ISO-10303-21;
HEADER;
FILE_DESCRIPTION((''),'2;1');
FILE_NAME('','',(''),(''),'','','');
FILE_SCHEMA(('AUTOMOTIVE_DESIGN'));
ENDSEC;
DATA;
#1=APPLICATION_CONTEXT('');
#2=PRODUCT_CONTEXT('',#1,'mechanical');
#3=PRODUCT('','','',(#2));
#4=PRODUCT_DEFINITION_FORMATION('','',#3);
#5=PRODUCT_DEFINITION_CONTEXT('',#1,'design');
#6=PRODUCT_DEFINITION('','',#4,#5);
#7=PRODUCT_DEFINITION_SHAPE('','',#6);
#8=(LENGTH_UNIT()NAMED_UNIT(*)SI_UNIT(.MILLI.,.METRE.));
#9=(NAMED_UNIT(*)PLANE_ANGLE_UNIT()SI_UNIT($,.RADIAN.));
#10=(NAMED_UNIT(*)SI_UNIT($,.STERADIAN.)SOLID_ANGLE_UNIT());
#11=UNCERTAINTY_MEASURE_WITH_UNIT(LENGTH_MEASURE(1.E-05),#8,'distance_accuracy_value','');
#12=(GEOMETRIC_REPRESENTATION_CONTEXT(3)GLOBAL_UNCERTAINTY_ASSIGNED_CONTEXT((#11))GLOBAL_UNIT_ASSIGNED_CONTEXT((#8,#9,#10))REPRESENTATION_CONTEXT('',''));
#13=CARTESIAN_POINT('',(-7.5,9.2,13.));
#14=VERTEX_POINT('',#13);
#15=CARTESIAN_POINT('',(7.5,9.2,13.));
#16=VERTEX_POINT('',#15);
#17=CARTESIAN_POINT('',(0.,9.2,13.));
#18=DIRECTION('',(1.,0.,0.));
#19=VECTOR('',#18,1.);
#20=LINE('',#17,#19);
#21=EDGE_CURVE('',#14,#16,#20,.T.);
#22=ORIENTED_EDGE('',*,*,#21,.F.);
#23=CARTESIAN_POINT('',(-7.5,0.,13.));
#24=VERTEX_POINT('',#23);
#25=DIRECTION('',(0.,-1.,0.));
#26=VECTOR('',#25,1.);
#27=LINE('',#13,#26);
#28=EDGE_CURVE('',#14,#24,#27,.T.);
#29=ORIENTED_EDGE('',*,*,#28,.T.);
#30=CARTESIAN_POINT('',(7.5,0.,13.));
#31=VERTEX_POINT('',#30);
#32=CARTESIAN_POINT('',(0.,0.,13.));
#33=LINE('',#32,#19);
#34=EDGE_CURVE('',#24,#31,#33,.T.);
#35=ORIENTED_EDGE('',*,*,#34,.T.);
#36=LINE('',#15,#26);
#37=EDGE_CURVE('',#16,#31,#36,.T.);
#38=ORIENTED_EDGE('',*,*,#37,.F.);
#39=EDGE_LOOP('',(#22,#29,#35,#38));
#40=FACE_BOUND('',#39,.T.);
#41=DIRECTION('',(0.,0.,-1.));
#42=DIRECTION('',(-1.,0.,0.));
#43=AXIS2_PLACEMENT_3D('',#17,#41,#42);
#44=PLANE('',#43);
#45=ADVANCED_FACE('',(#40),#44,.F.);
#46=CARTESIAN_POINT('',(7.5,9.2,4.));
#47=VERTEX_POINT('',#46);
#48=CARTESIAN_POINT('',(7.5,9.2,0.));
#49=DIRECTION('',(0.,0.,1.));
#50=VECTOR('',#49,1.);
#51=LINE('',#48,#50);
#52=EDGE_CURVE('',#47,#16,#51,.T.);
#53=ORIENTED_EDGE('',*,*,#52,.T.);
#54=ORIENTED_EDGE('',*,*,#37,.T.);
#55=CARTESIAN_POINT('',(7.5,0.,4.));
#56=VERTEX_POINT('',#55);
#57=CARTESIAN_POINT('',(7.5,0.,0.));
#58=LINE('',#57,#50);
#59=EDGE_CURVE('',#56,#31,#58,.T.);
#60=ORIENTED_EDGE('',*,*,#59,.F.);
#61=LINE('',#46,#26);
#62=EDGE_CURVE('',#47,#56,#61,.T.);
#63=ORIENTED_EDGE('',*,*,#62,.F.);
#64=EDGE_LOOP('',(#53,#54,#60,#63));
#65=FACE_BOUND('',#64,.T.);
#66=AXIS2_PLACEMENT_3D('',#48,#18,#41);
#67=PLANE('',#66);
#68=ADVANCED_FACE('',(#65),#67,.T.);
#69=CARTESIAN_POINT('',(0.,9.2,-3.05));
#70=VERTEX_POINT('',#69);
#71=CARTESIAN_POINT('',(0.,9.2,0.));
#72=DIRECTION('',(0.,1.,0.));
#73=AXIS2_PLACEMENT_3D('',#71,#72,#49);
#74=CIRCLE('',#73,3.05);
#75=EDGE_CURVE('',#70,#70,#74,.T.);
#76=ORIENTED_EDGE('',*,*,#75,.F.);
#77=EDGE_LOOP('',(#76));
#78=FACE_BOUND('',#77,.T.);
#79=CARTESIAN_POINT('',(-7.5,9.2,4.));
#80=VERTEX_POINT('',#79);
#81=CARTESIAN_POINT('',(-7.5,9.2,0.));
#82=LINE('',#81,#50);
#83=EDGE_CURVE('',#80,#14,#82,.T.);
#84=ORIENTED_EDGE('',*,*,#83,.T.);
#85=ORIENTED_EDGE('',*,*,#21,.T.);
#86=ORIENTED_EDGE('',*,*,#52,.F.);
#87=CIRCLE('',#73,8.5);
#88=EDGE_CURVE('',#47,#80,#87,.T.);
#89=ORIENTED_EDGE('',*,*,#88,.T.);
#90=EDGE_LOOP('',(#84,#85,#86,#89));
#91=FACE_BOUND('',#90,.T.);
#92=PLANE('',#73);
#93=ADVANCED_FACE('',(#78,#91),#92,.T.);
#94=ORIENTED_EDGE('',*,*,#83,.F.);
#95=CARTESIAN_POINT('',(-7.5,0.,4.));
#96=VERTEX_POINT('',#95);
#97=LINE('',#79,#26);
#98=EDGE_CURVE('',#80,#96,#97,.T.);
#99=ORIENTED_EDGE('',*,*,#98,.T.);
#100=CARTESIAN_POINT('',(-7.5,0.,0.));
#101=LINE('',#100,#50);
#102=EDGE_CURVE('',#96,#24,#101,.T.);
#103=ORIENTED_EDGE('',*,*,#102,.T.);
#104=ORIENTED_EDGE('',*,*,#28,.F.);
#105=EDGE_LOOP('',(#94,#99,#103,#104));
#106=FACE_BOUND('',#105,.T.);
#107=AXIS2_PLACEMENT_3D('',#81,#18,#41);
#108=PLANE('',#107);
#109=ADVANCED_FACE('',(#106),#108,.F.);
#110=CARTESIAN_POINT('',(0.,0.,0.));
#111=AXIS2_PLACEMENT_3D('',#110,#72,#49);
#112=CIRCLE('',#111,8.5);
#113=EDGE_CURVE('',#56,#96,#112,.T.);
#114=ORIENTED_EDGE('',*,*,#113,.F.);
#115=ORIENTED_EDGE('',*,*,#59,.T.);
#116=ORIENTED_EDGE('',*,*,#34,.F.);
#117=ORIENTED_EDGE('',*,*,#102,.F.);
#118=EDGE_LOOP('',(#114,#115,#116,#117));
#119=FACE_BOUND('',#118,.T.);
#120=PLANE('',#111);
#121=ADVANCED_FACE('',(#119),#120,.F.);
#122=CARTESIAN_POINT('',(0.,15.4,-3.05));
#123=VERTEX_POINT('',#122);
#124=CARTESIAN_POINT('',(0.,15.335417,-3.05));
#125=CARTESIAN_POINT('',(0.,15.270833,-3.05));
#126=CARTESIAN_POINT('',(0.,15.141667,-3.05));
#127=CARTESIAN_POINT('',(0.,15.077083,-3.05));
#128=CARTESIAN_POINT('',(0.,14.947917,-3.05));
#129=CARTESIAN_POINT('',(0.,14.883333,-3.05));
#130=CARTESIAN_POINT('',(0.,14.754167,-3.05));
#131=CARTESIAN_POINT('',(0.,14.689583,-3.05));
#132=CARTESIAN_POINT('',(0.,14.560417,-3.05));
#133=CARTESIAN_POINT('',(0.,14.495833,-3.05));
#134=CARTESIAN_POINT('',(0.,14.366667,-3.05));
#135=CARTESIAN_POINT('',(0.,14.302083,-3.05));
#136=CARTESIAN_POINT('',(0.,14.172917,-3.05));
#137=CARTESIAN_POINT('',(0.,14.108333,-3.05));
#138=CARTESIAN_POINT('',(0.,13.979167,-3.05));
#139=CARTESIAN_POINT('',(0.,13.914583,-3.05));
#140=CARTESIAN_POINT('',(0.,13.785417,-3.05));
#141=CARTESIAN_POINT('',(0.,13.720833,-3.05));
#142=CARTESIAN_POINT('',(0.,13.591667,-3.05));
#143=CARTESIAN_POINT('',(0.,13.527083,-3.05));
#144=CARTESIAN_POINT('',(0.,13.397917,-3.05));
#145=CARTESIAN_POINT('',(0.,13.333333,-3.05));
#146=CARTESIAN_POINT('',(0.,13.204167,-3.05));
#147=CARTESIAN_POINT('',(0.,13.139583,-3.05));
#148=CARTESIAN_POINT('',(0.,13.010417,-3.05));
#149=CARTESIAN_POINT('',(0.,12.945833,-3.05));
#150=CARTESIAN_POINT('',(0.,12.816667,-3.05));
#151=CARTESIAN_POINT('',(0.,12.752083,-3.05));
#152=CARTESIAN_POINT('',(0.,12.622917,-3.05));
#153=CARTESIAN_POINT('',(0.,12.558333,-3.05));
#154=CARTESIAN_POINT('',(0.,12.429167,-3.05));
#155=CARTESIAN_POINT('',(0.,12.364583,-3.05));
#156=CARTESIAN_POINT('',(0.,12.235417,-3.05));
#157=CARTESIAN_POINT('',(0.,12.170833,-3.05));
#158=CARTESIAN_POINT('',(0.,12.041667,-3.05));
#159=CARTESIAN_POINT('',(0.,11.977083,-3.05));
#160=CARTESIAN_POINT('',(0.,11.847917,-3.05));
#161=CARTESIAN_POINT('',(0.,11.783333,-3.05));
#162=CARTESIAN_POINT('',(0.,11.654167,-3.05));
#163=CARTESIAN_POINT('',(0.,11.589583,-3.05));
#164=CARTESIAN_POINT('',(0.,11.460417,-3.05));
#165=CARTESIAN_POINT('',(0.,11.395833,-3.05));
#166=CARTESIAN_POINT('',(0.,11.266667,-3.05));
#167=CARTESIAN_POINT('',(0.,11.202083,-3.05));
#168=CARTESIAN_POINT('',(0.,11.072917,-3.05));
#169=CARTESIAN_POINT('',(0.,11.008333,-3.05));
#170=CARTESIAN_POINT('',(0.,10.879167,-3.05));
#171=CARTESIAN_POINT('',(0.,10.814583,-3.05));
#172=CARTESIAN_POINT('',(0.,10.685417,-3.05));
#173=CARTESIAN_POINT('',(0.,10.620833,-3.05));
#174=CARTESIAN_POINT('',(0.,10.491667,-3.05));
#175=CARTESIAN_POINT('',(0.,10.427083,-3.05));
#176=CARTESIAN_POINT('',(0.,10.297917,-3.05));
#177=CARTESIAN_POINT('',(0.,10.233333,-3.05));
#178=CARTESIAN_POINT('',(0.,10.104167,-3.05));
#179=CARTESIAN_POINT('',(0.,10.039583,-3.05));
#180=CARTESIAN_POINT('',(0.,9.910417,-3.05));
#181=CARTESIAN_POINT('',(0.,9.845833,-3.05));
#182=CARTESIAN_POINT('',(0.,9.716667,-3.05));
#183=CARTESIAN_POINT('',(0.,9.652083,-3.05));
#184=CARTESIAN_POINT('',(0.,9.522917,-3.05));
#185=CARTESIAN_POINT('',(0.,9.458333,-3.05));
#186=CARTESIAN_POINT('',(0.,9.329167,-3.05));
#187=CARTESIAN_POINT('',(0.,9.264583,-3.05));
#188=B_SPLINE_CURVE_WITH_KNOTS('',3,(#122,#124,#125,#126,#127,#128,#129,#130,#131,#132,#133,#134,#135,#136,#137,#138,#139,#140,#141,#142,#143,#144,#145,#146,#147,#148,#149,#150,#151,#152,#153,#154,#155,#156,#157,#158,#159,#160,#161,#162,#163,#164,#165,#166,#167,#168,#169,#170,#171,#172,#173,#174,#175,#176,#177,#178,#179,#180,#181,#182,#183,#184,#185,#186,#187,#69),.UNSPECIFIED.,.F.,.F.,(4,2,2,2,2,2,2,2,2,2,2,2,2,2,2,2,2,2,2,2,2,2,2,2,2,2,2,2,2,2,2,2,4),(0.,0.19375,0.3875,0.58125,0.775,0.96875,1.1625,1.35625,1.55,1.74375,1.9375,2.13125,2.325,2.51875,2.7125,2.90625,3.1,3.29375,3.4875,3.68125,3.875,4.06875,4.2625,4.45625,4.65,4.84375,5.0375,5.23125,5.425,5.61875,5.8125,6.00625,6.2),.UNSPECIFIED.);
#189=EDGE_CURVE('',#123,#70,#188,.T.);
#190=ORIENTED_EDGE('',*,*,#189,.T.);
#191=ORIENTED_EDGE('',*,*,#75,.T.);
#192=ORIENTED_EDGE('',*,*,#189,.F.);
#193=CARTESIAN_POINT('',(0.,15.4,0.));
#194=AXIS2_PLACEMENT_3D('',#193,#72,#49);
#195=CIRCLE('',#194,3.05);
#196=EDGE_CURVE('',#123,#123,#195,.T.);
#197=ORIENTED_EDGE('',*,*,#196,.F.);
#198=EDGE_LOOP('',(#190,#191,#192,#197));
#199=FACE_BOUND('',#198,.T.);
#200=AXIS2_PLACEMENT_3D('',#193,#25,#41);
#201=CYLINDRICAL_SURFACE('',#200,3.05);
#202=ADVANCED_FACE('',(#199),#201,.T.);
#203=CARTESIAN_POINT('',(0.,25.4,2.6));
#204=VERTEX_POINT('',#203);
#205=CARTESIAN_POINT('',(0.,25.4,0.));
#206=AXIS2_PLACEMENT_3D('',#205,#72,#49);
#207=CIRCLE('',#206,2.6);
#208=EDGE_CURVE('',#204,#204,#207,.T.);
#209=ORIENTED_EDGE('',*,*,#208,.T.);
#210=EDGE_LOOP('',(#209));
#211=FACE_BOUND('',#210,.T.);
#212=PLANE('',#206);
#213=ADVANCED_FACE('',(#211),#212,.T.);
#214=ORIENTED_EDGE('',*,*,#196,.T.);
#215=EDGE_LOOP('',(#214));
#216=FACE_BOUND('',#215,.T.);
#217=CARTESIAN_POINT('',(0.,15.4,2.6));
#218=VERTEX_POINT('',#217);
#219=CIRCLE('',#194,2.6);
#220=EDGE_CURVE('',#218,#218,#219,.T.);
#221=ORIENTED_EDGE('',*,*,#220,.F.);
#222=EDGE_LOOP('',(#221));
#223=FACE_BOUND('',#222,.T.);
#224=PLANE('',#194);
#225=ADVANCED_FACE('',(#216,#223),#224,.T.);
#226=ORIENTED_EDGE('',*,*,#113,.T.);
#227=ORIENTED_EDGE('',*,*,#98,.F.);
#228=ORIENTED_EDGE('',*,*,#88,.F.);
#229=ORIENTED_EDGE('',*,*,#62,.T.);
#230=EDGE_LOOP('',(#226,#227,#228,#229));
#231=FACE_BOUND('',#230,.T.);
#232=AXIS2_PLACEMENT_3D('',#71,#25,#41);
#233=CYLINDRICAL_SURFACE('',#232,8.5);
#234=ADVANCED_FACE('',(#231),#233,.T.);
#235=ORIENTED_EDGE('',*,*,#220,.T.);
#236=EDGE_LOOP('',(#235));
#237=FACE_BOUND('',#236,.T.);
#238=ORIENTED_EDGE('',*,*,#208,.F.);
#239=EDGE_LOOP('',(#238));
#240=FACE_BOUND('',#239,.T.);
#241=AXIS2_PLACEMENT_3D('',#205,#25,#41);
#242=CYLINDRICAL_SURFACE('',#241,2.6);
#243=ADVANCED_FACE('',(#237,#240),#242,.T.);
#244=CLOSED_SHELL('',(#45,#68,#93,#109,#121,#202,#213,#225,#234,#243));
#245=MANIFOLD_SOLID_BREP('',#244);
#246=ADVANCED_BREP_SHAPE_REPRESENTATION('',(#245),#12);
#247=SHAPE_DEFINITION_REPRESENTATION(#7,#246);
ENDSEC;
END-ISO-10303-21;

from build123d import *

# Parameters (mm, degrees)
BOSS_EXTRUDE1_DEPTH = 9.2
SKETCH2_R           = 3.05
BOSS_EXTRUDE2_DEPTH = 6.2
SKETCH3_R           = 2.6
BOSS_EXTRUDE3_DEPTH = 10


with BuildPart() as part:
    # Sketch1 → Boss-Extrude1 (new body)
    with BuildSketch(Plane(origin=(0, 0, 0), x_dir=(1, 0, 0), z_dir=(0, 1, 0))):
        with BuildLine():
            ThreePointArc((8.5, 0), (-2.061552813, 8.246211251), (-7.5, -4))
            Line((-7.5, -4), (7.5, -4))
            ThreePointArc((7.5, -4), (8.246211251, -2.061552813), (8.5, 0))
        make_face()
        with BuildLine():
            Line((7.5, -4), (-7.5, -4))
            ThreePointArc((-7.5, -4), (0, -8.5), (7.5, -4))
        make_face()
        with BuildLine():
            ThreePointArc((7.5, -4), (0, -8.5), (-7.5, -4))
            Line((-7.5, -4), (-7.5, -13))
            Line((-7.5, -13), (7.5, -13))
            Line((7.5, -13), (7.5, -4))
        make_face()
    extrude(amount=BOSS_EXTRUDE1_DEPTH)

    # Sketch2 → Boss-Extrude2 (add)
    with BuildSketch(Plane(origin=(0, 9.2, 0), x_dir=(1, 0, 0), z_dir=(0, 1, 0))):
        with Locations(Location((0, 0, 0), (0, 0, 90))):
            Circle(SKETCH2_R)
    extrude(amount=BOSS_EXTRUDE2_DEPTH)

    # Sketch3 → Boss-Extrude3 (add)
    with BuildSketch(Plane(origin=(0, 15.4, 0), x_dir=(1, 0, 0), z_dir=(0, 1, 0))):
        with Locations(Location((0, 0, 0), (0, 0, 270))):
            Circle(SKETCH3_R)
    extrude(amount=BOSS_EXTRUDE3_DEPTH)


solid = part.part
